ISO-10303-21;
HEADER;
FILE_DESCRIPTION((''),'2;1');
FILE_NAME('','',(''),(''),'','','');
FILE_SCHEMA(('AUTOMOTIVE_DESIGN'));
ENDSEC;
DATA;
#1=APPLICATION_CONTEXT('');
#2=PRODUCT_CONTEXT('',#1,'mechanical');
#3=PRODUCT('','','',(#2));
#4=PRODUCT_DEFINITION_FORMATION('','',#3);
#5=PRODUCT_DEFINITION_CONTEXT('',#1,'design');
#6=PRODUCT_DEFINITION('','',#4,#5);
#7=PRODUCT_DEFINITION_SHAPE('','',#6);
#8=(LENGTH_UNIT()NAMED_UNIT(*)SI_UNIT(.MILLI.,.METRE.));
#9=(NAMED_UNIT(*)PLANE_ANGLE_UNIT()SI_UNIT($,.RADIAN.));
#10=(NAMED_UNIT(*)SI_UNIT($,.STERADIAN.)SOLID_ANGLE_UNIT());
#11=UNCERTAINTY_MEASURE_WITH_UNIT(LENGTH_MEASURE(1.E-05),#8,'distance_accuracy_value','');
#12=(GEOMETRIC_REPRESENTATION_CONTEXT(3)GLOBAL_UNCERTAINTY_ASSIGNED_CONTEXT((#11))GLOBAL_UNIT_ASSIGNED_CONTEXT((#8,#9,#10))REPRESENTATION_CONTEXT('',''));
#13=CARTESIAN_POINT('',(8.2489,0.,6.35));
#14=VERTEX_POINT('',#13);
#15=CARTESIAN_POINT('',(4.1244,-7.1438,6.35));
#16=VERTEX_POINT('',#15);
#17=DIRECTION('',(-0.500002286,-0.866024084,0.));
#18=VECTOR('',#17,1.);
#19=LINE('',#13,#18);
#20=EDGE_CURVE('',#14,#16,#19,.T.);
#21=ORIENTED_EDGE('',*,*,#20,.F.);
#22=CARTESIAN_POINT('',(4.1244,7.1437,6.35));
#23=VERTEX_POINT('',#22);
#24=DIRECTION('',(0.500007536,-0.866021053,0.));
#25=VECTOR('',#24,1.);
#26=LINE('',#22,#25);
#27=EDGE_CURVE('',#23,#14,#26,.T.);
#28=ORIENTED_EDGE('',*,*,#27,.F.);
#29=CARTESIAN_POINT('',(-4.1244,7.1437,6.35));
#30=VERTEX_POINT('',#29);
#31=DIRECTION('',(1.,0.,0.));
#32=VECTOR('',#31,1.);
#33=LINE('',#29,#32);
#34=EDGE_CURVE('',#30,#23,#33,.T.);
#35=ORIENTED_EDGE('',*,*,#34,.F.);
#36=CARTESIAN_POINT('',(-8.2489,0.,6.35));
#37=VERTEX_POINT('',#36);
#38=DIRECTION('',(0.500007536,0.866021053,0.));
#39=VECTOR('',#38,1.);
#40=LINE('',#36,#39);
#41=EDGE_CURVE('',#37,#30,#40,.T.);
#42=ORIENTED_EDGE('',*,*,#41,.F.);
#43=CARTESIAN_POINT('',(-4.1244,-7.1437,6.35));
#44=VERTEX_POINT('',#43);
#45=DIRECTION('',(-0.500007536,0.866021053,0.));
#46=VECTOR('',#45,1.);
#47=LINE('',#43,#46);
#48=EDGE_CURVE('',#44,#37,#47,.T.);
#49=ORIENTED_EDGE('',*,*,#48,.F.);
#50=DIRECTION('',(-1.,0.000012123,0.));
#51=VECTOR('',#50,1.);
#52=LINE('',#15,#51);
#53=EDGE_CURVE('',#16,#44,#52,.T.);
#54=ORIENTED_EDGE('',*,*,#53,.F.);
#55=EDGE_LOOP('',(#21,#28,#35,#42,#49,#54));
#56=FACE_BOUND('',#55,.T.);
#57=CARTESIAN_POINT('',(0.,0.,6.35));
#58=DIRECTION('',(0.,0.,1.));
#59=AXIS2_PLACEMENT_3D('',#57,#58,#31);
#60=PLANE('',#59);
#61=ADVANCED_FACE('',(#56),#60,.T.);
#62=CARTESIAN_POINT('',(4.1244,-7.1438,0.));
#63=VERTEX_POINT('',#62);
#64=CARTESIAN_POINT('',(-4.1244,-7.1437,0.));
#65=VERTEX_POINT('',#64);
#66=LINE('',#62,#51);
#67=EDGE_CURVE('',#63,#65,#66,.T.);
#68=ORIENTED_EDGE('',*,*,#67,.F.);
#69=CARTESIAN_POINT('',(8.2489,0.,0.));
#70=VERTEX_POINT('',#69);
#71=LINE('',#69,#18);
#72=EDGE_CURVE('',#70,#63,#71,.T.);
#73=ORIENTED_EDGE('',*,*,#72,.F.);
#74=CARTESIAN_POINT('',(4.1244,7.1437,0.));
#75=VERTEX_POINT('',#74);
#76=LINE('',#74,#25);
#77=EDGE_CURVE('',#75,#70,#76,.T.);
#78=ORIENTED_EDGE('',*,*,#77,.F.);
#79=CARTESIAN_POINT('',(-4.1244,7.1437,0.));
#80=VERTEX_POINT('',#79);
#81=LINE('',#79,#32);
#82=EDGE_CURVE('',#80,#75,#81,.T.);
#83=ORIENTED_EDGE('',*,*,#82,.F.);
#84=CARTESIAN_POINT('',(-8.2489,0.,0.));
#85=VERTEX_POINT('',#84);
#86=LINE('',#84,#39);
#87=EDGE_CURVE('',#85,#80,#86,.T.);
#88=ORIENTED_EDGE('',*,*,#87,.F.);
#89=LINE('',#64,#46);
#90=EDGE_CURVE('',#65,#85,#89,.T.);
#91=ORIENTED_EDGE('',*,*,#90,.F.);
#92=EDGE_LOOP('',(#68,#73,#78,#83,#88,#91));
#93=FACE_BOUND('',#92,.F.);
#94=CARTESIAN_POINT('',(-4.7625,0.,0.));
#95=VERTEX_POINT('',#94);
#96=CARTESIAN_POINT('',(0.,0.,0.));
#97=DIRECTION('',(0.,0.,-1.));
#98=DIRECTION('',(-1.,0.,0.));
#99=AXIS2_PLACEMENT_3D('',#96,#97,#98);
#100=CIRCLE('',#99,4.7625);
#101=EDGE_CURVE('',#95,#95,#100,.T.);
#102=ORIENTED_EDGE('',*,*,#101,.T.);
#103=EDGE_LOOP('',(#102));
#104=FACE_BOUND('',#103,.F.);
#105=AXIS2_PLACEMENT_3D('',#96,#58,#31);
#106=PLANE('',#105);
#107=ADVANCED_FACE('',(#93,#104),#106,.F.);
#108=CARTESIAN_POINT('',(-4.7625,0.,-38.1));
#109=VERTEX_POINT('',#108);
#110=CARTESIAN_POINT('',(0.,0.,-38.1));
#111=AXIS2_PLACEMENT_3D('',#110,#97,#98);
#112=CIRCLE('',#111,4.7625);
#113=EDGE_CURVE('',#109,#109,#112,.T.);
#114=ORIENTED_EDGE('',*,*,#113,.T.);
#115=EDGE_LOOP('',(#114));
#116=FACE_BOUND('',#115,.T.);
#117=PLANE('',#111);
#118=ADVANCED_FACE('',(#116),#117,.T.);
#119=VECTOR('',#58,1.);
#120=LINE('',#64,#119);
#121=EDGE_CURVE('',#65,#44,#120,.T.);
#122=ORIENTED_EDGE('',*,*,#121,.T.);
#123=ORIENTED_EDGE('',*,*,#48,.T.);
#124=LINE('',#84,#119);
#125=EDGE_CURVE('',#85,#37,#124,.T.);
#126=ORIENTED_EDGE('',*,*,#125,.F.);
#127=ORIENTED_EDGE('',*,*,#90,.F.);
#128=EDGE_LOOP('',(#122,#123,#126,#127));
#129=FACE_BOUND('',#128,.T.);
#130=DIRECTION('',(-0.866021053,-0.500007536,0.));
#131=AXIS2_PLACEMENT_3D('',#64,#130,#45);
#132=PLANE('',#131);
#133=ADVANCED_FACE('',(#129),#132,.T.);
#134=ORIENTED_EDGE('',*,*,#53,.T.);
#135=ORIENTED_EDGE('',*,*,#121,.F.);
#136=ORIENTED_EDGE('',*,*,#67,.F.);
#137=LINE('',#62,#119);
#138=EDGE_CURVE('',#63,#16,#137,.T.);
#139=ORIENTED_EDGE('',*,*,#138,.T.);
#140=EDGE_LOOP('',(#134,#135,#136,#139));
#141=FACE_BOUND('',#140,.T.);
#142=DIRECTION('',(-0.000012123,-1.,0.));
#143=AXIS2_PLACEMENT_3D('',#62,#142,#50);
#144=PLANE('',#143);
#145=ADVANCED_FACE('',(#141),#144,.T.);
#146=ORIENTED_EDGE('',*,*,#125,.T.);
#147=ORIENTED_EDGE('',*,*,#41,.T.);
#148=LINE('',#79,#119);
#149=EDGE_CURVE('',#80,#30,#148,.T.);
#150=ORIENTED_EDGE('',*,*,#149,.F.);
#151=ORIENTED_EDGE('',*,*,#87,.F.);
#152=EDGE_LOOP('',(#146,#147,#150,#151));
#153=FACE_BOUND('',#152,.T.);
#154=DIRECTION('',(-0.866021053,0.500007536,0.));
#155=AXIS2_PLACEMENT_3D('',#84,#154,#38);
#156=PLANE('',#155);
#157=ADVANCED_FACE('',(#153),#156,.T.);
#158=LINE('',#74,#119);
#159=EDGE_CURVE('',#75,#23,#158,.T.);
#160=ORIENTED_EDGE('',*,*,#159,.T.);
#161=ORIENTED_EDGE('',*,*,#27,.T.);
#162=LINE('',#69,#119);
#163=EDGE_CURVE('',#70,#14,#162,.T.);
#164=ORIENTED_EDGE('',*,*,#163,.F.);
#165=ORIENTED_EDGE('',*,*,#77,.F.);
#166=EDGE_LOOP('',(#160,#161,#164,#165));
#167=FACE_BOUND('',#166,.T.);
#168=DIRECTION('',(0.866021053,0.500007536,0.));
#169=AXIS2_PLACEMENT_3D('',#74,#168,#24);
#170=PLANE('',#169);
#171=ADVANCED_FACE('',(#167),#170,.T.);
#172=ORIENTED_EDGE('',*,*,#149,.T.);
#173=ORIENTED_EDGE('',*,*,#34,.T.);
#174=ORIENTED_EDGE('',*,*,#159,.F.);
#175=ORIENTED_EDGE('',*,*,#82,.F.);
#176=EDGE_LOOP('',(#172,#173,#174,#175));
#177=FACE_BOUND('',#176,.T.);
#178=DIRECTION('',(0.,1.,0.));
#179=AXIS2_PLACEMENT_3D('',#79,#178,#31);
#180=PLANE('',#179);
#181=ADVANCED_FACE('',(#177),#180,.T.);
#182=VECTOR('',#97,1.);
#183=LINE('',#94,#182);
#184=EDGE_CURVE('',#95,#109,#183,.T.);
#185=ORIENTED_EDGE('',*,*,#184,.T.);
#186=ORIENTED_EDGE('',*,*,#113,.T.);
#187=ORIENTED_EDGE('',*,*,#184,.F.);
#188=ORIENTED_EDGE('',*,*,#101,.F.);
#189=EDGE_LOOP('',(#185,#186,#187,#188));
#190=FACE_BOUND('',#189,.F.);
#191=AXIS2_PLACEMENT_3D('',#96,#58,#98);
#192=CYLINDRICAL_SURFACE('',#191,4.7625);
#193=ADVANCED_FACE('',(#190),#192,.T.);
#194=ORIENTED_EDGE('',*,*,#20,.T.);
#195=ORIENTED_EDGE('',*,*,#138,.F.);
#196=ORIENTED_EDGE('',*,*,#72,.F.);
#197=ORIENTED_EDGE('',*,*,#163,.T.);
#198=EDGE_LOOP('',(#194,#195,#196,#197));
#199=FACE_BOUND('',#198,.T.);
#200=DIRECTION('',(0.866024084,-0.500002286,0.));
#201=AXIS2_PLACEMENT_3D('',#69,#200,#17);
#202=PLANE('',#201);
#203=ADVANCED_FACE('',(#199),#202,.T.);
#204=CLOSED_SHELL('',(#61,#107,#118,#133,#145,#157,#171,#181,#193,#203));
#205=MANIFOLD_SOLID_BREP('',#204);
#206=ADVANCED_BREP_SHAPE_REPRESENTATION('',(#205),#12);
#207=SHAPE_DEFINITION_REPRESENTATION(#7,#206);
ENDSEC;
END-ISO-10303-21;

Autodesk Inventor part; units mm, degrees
ref_plane "YZ Plane" through (0, 0, 0) normal (1, 0, 0) x (0, 1, 0)
ref_plane "XZ Plane" through (0, 0, 0) normal (0, 1, 0) x (-1, 0, 0)
ref_plane "XY Plane" through (0, 0, 0) normal (0, 0, 1) x (1, 0, 0)
sketch "Sketch1" plane through (0, 0, 0) normal (0, 0, 1) x (1, 0, 0)
  line L0 (4.1244, 7.1437) -> (8.2489, 0)
  line L1 (8.2489, 0) -> (4.1244, -7.1438)
  line L2 (4.1244, -7.1438) -> (-4.1244, -7.1437)
  line L3 (-4.1244, -7.1437) -> (-8.2489, 0)
  line L4 (-8.2489, 0) -> (-4.1244, 7.1437)
  line L5 (-4.1244, 7.1437) -> (4.1244, 7.1437)
  point P0 (0, 0)
  point P1 (0, 0)
  dimension "d0" = 14.2875
extrude "Extrusion1" add sketch "Sketch1" along normal blind 6.35
sketch "Sketch2" plane through (0, 0, 0) normal (0, 0, -1) x (-1, 0, 0)
  circle A0 centre (0, 0) radius 4.7625
  dimension "d3" = 9.525
extrude "Extrusion2" add sketch "Sketch2" along normal blind 38.1
properties part number "bolt" material "Steel, Galvanized"
